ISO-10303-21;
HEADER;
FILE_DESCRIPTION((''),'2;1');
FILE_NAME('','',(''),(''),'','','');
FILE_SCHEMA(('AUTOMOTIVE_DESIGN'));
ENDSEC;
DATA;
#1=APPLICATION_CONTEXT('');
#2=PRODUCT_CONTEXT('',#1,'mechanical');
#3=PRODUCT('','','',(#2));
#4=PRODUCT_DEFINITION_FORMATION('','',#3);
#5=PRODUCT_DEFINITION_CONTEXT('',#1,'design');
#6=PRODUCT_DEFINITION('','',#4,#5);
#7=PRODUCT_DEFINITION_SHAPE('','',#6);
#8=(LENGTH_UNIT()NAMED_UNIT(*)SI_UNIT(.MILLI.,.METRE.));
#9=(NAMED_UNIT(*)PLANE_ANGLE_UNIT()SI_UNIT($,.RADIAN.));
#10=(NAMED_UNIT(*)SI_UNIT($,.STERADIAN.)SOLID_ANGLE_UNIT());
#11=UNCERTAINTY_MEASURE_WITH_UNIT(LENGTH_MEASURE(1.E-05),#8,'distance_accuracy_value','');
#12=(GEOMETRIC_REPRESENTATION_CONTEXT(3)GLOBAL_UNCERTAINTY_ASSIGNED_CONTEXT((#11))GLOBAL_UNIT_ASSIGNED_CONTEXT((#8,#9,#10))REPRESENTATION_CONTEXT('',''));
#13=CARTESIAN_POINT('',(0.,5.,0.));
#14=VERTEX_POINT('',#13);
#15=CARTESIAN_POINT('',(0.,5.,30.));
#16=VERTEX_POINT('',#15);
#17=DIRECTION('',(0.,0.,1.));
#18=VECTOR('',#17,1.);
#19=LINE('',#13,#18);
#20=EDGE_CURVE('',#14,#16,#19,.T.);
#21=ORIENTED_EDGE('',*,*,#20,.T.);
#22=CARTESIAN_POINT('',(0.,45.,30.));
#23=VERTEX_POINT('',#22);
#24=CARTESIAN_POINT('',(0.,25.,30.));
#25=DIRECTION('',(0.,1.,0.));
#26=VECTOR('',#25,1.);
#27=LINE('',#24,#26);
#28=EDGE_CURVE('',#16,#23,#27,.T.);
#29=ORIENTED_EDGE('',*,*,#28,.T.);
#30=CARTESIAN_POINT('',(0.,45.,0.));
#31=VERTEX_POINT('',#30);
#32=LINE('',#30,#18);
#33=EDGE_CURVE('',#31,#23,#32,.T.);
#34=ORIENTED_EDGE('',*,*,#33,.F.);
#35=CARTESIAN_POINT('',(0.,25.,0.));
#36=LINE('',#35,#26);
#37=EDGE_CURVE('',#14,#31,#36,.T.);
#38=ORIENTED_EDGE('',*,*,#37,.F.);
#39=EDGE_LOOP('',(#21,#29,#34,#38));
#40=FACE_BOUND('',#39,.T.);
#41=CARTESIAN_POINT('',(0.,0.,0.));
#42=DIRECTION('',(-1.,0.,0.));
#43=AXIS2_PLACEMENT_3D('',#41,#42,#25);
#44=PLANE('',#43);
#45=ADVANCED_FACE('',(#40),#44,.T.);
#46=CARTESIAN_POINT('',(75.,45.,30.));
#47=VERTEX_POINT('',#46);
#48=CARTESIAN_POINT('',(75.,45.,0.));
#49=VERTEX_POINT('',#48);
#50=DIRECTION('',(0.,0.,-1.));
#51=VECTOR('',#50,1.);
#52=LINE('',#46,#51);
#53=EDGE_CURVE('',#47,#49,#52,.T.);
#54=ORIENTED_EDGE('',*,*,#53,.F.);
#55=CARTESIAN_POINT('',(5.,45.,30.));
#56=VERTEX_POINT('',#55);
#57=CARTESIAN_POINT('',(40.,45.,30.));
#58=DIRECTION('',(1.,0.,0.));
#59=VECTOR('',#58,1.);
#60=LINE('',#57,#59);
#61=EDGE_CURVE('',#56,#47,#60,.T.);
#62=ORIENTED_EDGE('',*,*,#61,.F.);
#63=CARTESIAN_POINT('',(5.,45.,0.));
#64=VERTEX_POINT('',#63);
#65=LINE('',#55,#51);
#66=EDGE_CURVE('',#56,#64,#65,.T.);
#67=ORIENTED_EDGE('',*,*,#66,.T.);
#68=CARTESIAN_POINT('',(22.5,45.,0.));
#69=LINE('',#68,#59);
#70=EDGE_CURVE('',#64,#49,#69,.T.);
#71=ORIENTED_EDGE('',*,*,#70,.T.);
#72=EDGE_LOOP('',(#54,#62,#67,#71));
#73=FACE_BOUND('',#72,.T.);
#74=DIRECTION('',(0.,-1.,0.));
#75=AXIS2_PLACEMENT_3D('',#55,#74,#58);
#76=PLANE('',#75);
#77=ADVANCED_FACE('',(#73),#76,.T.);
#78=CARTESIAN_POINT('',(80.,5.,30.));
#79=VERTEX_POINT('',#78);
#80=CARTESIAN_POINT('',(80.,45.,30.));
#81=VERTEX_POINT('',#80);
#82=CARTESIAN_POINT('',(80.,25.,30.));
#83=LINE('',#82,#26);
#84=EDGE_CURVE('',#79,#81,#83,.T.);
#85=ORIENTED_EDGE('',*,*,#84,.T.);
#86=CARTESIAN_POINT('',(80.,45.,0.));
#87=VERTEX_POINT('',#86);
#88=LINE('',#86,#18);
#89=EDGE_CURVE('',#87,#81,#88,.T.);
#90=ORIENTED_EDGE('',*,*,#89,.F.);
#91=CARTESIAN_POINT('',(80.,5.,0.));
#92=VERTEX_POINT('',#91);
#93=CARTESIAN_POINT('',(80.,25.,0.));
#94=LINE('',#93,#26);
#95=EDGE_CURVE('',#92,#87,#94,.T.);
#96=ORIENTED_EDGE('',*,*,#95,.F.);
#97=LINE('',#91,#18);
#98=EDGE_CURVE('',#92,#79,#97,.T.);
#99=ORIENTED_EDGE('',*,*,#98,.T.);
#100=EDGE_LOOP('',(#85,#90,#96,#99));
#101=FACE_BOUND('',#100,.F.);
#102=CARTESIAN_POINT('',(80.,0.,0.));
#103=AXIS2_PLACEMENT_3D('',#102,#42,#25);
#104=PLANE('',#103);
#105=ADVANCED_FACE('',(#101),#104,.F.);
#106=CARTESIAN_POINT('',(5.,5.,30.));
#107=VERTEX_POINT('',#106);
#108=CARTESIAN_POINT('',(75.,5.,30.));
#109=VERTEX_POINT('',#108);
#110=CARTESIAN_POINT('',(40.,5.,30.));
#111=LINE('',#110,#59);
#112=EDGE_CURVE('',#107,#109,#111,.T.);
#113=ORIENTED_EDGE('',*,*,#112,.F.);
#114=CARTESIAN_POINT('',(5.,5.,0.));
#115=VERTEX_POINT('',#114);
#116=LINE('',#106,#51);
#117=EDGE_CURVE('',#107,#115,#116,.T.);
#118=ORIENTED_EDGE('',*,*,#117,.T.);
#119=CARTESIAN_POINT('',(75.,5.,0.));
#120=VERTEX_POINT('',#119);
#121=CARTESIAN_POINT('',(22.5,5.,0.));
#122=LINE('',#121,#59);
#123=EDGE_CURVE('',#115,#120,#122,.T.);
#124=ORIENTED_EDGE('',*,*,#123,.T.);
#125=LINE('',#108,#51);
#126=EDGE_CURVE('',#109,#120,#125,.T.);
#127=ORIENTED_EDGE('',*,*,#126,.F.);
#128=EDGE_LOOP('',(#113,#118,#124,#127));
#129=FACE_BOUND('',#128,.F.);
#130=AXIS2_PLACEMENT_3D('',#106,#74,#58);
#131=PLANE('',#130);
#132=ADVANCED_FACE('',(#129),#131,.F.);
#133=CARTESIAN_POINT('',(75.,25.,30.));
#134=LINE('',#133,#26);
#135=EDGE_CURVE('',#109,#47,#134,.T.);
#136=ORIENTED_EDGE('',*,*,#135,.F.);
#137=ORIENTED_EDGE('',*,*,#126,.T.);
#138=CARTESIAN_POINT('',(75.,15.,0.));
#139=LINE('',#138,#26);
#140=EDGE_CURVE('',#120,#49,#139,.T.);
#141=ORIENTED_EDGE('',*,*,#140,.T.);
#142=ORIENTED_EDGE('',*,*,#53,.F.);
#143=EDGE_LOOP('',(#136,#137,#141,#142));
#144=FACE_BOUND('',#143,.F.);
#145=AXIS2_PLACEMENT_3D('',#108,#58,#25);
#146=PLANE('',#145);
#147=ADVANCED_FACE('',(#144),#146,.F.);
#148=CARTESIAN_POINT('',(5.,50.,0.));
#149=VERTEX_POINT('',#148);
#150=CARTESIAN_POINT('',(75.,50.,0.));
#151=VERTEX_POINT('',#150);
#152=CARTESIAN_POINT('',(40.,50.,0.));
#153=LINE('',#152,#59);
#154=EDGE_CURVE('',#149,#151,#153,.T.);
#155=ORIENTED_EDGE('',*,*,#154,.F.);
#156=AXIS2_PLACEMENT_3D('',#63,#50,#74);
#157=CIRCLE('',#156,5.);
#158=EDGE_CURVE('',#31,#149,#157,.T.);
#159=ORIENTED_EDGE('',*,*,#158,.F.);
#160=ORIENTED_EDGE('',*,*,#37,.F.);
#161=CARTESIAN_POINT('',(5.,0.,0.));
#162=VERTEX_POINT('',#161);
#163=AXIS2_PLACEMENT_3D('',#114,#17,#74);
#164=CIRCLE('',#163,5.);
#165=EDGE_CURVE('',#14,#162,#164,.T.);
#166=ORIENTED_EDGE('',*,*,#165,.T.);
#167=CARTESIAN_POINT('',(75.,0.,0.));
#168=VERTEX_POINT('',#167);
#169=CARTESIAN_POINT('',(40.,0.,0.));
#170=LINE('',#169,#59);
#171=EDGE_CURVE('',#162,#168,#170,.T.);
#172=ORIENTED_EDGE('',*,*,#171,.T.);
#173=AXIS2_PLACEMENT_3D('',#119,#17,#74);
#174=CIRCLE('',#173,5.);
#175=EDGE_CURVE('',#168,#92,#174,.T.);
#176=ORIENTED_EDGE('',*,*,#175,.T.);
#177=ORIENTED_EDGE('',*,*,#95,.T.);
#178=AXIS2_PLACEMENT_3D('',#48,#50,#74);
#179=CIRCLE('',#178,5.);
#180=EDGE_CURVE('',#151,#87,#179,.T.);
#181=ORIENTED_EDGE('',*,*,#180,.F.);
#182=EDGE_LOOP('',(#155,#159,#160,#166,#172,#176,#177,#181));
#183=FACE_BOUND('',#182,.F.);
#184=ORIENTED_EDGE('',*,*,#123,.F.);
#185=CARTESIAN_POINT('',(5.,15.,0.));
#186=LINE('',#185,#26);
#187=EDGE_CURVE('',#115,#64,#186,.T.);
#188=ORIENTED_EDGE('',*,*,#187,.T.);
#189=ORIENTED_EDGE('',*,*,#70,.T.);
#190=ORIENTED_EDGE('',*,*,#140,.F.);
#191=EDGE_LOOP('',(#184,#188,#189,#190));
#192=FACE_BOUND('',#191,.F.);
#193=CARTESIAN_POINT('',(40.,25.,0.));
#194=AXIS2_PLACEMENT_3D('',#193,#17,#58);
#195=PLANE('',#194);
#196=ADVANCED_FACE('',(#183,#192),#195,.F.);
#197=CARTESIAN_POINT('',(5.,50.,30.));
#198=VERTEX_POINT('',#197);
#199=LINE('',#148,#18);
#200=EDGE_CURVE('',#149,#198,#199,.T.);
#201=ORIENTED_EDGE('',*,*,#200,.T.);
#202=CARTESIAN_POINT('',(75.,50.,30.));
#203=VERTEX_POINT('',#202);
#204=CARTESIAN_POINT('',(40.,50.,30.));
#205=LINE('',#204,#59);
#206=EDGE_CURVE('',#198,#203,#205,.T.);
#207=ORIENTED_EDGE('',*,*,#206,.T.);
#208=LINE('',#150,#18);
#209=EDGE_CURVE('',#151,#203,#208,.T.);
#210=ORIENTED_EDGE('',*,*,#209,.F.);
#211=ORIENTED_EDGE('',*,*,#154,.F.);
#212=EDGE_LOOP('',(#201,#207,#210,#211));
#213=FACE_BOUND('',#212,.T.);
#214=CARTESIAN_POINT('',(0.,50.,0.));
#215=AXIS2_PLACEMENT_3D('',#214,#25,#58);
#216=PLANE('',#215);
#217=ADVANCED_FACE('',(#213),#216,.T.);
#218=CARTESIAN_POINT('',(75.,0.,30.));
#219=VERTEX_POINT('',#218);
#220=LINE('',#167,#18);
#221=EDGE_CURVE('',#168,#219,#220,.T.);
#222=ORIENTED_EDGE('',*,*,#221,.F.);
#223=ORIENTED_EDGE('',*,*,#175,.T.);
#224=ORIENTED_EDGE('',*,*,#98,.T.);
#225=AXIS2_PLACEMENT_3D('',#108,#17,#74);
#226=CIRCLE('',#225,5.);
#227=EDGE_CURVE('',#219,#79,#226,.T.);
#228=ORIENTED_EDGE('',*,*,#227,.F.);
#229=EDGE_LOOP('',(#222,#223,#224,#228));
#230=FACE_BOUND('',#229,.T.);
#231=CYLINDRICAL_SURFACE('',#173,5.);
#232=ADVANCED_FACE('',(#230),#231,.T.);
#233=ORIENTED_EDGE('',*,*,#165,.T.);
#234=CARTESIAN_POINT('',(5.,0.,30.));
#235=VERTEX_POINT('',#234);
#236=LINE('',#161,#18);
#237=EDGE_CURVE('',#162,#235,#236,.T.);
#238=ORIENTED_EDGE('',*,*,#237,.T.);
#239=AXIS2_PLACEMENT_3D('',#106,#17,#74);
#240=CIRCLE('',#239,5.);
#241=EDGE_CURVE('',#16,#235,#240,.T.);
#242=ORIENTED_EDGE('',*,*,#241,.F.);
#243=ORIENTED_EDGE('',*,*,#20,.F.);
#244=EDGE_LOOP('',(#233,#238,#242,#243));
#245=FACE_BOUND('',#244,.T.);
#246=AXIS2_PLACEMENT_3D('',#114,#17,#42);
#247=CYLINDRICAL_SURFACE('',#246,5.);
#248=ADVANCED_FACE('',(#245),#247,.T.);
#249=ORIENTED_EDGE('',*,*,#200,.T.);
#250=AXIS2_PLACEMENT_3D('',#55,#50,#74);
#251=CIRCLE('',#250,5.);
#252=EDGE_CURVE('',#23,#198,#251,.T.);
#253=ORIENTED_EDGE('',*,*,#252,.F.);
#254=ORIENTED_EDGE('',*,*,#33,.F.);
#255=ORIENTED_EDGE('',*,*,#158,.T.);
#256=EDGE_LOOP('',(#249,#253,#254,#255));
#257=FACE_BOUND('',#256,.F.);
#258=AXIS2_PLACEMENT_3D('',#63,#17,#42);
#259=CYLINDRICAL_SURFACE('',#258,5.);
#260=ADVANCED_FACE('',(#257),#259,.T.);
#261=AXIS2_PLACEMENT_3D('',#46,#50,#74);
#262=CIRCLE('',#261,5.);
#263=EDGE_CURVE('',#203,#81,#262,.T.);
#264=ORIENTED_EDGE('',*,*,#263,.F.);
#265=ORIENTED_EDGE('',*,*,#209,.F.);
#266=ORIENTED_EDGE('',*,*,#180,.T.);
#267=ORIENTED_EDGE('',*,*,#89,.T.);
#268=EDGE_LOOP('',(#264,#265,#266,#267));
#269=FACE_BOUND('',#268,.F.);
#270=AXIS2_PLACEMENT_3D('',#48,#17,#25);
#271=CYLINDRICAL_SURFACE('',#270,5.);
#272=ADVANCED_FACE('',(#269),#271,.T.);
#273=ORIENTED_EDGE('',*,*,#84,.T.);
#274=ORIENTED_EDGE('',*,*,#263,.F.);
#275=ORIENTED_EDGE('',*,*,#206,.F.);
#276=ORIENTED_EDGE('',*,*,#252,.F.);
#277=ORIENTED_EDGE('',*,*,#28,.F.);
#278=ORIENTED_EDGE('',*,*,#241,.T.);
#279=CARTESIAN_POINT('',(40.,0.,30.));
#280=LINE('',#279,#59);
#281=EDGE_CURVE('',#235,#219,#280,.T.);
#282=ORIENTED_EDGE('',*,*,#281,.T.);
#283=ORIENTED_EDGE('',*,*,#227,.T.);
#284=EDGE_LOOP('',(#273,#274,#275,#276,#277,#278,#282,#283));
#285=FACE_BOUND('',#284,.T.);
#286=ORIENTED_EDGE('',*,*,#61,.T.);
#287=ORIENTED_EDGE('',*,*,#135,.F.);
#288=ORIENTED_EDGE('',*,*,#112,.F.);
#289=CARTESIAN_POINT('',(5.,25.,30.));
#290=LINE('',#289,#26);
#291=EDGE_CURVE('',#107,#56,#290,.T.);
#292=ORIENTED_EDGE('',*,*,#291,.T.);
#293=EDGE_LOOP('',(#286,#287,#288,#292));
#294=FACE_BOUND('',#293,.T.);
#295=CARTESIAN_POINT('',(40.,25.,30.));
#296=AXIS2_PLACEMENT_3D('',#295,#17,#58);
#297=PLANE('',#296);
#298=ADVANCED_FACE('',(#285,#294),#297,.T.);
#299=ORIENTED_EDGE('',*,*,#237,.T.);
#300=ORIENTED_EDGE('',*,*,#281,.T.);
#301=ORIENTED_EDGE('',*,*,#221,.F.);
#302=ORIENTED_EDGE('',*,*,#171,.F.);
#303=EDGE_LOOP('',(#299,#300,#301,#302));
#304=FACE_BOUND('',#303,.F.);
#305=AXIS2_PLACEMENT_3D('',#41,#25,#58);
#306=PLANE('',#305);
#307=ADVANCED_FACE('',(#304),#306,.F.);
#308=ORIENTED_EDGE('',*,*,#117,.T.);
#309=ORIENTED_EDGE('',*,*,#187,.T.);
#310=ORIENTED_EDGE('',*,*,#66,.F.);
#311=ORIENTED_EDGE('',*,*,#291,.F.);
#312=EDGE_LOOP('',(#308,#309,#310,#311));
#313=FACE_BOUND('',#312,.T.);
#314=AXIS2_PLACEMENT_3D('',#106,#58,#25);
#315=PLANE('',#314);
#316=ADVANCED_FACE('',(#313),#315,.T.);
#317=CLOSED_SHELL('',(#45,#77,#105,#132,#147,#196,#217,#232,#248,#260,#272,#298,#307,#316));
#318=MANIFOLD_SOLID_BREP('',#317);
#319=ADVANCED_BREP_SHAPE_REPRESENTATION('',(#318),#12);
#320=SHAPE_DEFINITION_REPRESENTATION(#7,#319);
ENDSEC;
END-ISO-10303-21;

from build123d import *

# Parameters (mm, degrees)
F0_W     = 80
F0_H     = 50
F1_DEPTH = 30
F2_W     = 70
F2_H     = 40
F3_DEPTH = 30.001
F4_R     = 5


with BuildPart() as f1:
    # F0 (on Top) → F1 (new body)
    with BuildSketch(Plane.XY):
        with Locations((40, 25)):
            Rectangle(F0_W, F0_H)
    extrude(amount=F1_DEPTH)

    # F2 (on face) → F3 (cut, through all)
    with BuildSketch(Plane.XY.offset(30)):
        with Locations((40, 25)):
            Rectangle(F2_W, F2_H)
    extrude(amount=-F3_DEPTH, mode=Mode.SUBTRACT)

    # F4
    f4_edges = [f1.edges().sort_by_distance(p)[0] for p in [
        (0, 0, 15),
        (80, 0, 15),
        (0, 50, 15),
        (80, 50, 15),
    ]]
    fillet(f4_edges, radius=F4_R)


solid = f1.part
